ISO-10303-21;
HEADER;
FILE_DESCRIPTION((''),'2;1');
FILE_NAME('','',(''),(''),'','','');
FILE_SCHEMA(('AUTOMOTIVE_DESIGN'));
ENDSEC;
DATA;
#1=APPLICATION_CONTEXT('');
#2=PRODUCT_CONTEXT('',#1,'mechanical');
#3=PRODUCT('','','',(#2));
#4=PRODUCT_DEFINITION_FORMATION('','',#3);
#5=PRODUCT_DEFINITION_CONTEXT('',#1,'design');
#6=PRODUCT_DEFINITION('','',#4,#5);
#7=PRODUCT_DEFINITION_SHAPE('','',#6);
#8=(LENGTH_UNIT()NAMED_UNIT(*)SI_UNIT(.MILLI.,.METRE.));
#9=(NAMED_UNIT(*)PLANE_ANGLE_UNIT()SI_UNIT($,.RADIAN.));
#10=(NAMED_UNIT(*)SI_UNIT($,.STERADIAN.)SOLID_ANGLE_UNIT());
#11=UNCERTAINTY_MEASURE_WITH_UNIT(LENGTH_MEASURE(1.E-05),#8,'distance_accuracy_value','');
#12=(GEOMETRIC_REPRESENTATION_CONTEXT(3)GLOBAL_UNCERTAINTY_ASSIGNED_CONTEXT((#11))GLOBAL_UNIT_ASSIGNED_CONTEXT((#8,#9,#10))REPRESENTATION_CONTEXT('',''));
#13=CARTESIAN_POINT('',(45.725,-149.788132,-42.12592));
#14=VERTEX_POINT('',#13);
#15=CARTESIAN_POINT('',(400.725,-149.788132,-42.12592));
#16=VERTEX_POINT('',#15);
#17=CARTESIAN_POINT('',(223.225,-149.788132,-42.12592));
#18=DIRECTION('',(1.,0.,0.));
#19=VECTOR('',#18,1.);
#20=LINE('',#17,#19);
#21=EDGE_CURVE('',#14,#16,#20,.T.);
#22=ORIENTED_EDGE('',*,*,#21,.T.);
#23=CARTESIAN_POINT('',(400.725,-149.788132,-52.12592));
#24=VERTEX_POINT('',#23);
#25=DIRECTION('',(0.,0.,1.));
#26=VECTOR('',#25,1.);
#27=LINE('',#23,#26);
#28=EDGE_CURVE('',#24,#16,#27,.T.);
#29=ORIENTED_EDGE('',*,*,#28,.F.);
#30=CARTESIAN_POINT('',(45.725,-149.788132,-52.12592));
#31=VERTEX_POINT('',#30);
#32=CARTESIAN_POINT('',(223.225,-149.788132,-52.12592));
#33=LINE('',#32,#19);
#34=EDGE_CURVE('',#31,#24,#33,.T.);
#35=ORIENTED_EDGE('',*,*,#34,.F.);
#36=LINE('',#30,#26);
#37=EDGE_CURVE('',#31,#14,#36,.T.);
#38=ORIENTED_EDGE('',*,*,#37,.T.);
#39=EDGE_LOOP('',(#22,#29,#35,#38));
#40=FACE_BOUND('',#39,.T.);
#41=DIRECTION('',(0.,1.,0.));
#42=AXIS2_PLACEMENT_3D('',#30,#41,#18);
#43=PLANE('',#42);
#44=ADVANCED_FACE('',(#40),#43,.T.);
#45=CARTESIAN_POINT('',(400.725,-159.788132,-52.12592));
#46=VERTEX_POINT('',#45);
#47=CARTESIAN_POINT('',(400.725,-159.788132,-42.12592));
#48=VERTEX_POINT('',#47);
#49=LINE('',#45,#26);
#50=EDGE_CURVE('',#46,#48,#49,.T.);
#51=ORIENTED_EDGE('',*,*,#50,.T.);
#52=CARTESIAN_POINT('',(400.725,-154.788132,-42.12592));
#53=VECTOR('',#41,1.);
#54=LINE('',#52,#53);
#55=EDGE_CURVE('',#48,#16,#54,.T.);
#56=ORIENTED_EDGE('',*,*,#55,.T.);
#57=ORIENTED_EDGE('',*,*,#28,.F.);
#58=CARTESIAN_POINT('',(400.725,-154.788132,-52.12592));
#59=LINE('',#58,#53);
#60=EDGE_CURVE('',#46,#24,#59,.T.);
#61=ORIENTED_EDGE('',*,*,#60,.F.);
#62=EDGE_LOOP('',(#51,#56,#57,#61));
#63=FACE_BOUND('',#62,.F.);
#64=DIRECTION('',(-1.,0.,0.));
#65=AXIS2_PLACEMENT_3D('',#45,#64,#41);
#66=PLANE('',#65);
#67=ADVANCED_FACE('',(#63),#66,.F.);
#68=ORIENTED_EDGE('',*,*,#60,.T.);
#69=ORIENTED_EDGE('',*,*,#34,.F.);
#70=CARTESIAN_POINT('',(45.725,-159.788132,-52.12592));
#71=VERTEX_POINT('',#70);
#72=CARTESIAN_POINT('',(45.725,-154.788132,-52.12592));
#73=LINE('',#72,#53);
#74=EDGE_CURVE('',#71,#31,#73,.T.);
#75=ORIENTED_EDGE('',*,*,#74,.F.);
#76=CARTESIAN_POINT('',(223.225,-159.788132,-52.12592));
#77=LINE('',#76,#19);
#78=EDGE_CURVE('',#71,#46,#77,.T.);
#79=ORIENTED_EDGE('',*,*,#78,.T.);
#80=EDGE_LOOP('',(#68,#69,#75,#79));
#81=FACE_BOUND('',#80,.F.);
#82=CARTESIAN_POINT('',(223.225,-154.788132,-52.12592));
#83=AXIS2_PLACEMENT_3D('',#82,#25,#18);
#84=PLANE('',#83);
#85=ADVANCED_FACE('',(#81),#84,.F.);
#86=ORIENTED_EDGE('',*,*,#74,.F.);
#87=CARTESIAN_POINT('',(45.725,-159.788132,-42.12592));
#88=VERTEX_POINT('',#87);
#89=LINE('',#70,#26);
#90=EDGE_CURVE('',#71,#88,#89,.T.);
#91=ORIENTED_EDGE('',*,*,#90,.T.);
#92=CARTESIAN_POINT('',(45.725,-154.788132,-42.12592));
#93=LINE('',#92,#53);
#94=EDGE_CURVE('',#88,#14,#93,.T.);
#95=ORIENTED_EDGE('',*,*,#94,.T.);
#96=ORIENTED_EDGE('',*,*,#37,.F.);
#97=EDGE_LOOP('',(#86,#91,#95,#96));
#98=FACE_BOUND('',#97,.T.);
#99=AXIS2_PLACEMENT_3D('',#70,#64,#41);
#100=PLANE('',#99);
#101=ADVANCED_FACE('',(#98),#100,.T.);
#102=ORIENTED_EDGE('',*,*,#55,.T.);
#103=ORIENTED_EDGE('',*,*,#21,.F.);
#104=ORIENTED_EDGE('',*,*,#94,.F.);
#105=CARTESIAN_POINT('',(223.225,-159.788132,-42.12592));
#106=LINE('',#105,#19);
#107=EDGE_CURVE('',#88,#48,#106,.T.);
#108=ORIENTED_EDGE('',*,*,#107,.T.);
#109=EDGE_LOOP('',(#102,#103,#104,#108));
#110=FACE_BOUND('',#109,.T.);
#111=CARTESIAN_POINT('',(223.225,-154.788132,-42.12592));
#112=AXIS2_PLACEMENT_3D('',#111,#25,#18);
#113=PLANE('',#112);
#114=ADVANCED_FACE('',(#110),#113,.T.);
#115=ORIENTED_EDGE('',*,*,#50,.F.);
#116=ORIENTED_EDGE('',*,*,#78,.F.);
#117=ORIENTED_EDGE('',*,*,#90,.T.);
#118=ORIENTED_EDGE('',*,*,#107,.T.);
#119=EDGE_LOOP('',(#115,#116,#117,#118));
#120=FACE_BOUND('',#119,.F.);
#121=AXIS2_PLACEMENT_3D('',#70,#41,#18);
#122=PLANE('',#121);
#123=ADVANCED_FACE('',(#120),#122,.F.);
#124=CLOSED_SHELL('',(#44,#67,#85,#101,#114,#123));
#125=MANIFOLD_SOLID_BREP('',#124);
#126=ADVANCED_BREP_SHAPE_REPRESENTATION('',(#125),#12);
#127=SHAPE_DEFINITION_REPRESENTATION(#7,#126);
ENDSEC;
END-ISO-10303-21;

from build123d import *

# Parameters (mm, degrees)
BOX_W     = 355
BOX_H     = 10
BOX_DEPTH = 10


with BuildPart() as part:
    # Box → Box (new body)
    with BuildSketch(Plane(origin=(45.725, -159.788132, -52.12592), x_dir=(1, 0, 0), z_dir=(0, 0, 1))):
        with Locations((177.5, 5)):
            Rectangle(BOX_W, BOX_H)
    extrude(amount=BOX_DEPTH)


solid = part.part
